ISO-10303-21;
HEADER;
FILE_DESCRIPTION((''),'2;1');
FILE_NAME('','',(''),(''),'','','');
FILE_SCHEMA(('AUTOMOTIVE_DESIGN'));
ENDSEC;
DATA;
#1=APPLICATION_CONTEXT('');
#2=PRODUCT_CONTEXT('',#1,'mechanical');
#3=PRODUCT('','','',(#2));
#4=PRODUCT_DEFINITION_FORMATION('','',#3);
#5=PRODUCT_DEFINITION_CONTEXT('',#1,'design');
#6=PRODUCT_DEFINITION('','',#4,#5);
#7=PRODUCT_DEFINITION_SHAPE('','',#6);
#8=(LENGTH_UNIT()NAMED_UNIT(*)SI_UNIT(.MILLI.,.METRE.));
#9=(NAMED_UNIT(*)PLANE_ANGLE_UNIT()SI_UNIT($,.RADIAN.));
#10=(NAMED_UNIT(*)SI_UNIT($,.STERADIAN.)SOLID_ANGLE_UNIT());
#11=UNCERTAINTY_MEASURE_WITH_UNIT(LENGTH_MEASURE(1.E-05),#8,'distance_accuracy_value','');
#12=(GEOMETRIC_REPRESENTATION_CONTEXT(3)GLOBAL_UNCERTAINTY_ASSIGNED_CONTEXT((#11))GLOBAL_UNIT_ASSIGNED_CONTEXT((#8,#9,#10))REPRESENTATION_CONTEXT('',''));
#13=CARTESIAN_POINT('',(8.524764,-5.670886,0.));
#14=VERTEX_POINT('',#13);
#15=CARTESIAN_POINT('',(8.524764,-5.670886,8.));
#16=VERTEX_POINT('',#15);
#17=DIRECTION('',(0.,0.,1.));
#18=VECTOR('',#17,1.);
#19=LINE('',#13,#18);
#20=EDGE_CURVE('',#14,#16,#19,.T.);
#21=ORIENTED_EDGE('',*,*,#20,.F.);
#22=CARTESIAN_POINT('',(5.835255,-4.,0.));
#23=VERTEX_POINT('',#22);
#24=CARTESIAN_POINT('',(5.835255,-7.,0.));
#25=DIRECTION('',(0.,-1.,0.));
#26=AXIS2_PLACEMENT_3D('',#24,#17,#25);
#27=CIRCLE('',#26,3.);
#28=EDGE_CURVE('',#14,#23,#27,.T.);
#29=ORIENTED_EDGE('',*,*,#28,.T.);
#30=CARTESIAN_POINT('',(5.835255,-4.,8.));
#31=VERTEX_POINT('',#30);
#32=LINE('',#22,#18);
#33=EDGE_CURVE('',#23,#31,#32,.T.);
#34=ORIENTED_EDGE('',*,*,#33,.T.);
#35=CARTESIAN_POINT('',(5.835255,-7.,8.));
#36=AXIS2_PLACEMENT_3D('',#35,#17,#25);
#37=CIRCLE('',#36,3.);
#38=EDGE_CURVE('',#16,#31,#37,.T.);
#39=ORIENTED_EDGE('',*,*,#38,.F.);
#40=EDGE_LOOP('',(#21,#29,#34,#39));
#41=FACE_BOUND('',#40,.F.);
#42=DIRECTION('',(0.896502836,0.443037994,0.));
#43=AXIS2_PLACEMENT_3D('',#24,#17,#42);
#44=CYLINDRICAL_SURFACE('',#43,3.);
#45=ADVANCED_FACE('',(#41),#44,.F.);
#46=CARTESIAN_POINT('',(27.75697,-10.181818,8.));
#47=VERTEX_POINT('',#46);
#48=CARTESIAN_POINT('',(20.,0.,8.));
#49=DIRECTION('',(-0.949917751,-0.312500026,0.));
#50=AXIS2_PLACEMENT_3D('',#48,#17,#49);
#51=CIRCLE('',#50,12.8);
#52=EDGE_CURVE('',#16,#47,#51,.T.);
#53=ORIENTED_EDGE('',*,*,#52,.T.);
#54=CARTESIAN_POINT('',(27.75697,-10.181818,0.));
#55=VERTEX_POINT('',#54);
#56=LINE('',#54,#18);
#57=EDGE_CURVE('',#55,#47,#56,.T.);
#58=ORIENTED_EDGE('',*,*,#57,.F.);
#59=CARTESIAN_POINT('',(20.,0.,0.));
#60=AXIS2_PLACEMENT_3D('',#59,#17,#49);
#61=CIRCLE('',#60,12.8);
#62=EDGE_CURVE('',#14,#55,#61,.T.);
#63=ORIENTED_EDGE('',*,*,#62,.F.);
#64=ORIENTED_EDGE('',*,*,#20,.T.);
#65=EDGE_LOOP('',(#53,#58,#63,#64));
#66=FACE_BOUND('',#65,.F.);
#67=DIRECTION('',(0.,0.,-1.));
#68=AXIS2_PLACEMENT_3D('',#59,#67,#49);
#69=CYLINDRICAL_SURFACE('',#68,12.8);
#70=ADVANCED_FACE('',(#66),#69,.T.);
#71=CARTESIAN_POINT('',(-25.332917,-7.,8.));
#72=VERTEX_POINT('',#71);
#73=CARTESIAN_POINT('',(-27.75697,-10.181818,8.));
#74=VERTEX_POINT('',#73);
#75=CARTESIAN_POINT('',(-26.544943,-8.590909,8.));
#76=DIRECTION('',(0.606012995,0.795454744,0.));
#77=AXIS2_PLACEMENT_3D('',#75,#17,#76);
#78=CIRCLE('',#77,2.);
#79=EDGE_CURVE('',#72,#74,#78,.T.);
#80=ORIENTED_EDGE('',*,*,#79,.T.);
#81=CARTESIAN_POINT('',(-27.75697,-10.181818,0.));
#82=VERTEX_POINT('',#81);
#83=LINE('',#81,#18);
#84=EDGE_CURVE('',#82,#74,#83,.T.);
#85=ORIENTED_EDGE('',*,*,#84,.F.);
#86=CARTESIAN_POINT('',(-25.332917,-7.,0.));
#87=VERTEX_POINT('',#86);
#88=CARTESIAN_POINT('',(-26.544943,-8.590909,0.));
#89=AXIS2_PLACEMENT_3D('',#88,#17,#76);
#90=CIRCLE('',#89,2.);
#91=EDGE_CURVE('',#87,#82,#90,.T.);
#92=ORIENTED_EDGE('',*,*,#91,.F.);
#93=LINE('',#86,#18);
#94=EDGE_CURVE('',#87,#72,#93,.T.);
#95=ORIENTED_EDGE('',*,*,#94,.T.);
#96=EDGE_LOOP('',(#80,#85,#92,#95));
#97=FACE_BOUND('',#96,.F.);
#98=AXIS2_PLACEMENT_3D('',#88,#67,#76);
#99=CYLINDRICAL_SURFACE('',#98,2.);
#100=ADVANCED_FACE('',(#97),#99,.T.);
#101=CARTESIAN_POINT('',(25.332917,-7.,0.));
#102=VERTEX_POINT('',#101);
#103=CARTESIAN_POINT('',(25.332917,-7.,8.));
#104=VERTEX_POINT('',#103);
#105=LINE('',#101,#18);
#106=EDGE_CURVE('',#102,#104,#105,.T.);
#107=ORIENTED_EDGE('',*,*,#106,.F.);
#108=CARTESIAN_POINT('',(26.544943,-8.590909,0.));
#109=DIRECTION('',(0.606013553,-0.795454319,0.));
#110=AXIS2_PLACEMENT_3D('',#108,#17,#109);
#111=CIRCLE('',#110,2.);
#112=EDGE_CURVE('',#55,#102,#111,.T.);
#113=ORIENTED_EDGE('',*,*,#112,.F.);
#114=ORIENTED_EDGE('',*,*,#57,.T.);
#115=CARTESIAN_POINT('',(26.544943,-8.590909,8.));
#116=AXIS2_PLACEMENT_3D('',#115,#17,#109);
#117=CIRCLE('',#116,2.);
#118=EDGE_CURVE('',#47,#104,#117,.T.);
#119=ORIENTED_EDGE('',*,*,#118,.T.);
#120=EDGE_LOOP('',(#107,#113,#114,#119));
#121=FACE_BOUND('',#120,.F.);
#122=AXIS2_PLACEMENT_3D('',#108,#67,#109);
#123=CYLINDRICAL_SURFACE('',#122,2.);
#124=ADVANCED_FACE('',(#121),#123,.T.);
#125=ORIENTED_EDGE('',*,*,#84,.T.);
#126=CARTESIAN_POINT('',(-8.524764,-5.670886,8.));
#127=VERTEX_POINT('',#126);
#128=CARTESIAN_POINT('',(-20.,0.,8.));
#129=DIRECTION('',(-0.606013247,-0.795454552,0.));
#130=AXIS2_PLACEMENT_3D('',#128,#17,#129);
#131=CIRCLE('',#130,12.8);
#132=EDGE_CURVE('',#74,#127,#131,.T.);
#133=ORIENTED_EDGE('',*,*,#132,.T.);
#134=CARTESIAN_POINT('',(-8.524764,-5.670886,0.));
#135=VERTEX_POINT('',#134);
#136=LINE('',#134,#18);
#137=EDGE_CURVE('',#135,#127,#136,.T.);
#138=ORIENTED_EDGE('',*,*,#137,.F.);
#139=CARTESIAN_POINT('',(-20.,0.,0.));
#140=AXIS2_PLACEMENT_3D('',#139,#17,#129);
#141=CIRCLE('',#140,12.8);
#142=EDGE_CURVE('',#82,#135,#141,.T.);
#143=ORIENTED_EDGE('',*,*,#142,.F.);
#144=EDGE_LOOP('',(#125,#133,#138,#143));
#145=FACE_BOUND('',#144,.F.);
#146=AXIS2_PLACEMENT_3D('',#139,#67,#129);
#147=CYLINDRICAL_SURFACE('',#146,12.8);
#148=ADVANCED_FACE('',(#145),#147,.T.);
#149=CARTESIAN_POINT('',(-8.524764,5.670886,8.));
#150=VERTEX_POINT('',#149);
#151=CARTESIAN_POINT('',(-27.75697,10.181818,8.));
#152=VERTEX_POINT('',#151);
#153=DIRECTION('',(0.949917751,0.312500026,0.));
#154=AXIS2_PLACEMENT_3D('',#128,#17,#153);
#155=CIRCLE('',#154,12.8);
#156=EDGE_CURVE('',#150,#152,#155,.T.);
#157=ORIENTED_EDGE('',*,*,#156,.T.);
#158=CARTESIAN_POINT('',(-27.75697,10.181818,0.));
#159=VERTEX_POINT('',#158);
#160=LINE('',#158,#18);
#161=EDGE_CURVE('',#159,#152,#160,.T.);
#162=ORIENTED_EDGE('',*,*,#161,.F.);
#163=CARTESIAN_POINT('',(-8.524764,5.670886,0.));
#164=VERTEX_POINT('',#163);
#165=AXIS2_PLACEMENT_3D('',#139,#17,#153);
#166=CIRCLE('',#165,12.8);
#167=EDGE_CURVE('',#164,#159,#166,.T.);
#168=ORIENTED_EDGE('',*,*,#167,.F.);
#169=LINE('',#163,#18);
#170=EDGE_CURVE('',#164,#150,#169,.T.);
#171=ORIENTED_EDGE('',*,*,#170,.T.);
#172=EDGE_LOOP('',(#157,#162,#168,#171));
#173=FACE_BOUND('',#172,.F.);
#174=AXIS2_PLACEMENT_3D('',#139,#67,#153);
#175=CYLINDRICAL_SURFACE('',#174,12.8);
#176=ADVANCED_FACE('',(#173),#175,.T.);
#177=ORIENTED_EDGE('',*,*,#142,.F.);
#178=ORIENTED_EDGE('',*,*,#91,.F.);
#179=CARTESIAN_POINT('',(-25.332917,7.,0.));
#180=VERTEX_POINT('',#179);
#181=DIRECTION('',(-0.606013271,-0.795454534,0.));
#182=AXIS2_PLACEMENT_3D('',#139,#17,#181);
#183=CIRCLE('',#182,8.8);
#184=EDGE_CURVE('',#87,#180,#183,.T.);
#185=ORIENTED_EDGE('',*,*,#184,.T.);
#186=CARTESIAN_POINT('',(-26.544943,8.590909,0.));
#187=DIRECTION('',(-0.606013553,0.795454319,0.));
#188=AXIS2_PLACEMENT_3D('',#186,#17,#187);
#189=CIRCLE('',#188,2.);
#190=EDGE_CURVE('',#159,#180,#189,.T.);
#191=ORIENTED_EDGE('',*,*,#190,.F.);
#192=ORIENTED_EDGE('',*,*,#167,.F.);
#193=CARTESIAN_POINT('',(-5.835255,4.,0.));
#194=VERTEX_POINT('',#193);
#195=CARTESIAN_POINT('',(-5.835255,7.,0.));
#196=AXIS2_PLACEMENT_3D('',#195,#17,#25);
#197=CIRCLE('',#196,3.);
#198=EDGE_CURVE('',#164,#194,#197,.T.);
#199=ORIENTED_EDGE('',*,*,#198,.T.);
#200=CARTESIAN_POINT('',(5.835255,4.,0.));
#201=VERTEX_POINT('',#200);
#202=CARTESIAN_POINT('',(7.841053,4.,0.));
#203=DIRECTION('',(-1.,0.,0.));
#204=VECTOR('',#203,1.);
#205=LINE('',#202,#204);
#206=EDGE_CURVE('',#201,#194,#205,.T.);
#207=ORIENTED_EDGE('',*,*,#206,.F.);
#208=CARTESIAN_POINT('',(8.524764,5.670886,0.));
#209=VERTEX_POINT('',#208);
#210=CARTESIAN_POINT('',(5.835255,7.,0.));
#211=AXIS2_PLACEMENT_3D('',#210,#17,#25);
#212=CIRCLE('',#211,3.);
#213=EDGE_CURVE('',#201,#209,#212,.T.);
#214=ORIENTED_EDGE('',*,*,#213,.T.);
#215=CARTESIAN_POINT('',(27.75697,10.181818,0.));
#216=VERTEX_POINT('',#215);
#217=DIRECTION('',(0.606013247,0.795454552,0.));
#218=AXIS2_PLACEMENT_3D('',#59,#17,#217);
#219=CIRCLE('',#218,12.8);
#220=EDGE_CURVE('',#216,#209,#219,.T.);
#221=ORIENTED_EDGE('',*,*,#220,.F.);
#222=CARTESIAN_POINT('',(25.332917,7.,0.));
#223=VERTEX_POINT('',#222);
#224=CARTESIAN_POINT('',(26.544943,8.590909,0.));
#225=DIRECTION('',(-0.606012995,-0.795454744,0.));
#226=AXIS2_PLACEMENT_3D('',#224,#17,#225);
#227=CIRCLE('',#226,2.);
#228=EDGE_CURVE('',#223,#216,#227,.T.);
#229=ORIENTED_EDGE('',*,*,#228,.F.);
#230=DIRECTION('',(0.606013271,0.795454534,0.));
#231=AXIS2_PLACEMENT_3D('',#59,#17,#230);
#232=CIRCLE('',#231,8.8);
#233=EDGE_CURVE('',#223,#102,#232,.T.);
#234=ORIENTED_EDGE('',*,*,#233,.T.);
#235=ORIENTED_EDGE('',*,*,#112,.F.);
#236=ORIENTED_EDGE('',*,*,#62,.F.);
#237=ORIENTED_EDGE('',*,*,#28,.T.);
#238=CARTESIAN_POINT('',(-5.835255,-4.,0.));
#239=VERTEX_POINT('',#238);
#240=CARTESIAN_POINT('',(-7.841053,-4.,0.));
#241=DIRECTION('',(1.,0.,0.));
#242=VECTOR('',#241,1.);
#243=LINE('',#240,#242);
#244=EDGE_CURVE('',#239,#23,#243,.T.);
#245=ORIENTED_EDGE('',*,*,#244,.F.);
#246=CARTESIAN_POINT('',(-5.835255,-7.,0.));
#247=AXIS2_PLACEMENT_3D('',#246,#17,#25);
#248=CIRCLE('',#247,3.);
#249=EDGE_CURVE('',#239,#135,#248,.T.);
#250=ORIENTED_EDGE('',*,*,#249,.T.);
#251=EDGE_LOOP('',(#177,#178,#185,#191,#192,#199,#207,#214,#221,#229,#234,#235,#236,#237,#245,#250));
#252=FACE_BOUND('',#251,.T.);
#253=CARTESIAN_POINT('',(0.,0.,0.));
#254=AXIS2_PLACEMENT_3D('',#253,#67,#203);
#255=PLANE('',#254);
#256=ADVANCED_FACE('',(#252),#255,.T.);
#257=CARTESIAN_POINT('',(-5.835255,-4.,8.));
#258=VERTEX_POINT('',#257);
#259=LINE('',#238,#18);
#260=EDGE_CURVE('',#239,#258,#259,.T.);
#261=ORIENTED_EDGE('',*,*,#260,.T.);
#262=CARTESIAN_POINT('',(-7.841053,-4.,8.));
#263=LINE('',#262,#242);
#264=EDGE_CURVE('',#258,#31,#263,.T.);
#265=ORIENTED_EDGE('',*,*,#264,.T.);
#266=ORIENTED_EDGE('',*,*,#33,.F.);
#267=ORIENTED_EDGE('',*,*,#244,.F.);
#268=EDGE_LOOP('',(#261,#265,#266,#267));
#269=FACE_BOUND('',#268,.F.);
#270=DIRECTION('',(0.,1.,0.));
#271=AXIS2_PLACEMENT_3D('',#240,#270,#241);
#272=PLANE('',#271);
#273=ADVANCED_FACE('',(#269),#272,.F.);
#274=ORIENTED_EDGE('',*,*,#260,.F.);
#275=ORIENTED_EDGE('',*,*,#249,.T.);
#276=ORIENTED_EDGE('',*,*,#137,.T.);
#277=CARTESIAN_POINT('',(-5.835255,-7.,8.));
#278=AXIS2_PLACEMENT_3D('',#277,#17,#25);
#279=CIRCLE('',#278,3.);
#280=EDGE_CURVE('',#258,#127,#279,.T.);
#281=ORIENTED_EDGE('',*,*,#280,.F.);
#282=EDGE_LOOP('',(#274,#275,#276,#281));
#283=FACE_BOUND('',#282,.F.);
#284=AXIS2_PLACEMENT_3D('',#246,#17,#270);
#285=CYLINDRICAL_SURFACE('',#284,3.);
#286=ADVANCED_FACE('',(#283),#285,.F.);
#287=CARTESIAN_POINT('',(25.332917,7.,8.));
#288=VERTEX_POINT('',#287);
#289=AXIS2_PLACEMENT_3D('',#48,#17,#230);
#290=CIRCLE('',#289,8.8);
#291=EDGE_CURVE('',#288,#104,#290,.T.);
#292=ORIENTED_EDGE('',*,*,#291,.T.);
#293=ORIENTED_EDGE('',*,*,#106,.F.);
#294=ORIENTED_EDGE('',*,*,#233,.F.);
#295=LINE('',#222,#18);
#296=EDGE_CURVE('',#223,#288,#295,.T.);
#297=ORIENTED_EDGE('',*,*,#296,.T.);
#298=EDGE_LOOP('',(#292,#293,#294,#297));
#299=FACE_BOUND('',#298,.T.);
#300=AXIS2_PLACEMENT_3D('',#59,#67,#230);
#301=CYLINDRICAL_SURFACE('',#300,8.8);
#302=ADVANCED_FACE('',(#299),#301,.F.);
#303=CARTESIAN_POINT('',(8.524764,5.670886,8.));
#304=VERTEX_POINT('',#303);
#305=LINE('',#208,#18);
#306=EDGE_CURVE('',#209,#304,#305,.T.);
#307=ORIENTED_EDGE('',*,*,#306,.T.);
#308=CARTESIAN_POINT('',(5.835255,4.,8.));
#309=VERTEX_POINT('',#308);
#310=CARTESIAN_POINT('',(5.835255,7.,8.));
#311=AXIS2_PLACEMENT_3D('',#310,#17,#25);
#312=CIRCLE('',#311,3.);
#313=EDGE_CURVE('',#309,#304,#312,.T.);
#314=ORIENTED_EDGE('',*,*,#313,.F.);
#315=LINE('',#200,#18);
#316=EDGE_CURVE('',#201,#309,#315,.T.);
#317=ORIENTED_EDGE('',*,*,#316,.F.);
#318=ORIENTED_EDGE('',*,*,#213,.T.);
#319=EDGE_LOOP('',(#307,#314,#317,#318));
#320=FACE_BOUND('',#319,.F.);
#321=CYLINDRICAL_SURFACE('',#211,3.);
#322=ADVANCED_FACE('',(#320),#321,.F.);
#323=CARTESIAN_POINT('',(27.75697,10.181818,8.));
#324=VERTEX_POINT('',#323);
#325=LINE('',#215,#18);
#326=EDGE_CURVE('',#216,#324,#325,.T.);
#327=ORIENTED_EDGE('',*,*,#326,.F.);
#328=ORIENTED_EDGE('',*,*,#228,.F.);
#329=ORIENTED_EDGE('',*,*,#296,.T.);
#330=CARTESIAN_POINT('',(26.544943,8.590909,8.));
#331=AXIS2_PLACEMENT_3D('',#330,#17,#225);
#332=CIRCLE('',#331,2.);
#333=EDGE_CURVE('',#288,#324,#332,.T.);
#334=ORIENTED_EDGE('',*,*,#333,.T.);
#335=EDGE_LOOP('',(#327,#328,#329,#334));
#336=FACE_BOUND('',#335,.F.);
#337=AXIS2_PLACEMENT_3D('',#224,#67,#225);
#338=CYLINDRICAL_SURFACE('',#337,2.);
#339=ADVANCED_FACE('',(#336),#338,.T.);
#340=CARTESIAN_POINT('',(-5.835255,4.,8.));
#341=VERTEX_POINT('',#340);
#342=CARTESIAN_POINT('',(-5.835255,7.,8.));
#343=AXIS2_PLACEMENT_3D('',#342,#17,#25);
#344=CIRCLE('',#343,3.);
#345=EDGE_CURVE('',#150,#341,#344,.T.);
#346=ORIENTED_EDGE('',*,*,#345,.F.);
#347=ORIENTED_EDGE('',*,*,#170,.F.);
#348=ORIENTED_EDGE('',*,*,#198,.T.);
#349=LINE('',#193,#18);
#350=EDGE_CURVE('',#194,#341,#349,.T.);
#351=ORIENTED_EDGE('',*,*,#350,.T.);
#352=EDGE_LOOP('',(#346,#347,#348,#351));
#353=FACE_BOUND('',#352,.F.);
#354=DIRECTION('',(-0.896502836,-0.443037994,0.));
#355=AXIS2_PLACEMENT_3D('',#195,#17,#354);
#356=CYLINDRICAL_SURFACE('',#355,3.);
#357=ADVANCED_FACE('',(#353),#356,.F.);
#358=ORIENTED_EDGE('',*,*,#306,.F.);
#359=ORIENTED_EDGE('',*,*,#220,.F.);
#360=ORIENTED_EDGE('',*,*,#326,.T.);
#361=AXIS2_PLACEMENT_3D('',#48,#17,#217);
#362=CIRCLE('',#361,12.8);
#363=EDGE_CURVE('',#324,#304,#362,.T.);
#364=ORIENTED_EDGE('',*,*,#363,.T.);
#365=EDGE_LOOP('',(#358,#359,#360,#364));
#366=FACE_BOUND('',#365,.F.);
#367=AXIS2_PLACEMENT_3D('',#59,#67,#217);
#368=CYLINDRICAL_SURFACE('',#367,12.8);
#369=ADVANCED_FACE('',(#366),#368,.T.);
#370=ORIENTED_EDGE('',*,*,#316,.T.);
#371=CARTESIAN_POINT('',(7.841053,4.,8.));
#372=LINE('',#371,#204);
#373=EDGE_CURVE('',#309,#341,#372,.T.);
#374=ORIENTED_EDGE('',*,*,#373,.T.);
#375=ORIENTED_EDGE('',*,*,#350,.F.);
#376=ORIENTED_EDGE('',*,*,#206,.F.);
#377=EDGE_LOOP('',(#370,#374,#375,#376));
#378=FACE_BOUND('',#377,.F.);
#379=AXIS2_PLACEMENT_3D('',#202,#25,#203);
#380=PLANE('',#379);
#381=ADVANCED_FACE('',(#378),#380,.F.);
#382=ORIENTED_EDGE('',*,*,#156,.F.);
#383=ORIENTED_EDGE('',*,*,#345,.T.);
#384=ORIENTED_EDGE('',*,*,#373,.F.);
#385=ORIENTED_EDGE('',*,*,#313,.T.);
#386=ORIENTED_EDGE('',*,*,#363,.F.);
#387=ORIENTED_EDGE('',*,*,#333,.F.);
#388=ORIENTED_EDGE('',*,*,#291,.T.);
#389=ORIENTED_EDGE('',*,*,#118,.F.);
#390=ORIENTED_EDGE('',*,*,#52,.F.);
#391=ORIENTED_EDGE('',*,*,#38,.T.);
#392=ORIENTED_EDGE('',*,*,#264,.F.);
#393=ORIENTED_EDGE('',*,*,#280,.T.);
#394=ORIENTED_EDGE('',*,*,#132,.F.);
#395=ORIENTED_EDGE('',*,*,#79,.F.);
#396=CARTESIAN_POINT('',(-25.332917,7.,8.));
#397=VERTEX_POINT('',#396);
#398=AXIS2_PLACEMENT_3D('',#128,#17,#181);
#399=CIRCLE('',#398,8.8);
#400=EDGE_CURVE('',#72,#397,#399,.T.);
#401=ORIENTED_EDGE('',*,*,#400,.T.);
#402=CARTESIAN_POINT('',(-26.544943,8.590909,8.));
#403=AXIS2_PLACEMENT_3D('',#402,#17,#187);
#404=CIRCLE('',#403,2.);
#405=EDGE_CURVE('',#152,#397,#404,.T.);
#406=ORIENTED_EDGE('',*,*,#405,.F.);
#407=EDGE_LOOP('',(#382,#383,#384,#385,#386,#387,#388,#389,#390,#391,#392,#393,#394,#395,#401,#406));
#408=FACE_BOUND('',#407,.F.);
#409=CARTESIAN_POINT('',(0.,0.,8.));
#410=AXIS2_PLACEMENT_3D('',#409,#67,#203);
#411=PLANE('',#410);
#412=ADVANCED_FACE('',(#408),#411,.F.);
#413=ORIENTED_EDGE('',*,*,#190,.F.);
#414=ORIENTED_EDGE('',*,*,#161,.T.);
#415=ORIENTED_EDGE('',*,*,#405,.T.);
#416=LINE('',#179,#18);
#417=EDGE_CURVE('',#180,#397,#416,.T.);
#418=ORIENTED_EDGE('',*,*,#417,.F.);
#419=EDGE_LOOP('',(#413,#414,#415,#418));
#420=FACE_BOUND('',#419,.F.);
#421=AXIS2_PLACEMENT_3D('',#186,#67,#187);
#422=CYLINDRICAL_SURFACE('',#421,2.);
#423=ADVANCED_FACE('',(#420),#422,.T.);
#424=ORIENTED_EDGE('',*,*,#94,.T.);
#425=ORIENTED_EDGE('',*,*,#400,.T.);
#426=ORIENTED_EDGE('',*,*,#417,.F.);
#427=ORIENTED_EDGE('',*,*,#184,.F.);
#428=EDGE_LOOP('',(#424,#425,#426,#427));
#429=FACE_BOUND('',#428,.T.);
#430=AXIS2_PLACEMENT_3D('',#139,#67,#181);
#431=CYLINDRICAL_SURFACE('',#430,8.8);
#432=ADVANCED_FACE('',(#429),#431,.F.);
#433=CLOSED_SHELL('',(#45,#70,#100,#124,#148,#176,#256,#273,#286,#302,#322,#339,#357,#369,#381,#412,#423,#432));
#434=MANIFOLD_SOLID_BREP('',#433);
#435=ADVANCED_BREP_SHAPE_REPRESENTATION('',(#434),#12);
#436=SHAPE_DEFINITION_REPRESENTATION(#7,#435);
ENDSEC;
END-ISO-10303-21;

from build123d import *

# Parameters (mm, degrees)
PAD_DEPTH = 8
FILLET_R  = 3


with BuildPart() as part:
    # Sketch → Pad (new body)
    with BuildSketch(Plane.XY):
        with BuildLine():
            ThreePointArc((-25.332917, -7), (-11.2, 0), (-25.332917, 7))
            ThreePointArc((-27.75697, 10.181818), (-28.135852, 7.378883), (-25.332917, 7))
            ThreePointArc((-7.841053, 4), (-16.205521, 12.224644), (-27.75697, 10.181818))
            Line((0, 4), (-7.841053, 4))
            Line((0, 4), (7.841053, 4))
            ThreePointArc((27.75697, 10.181818), (16.205521, 12.224644), (7.841053, 4))
            ThreePointArc((25.332917, 7), (28.135852, 7.378883), (27.75697, 10.181818))
            ThreePointArc((25.332917, 7), (11.2, 0), (25.332917, -7))
            ThreePointArc((27.75697, -10.181818), (28.135852, -7.378883), (25.332917, -7))
            ThreePointArc((7.841053, -4), (16.205521, -12.224644), (27.75697, -10.181818))
            Line((0, -4), (7.841053, -4))
            Line((0, -4), (-7.841053, -4))
            ThreePointArc((-27.75697, -10.181818), (-16.205521, -12.224644), (-7.841053, -4))
            ThreePointArc((-25.332917, -7), (-28.135852, -7.378883), (-27.75697, -10.181818))
        make_face()
    extrude(amount=PAD_DEPTH)

    # Fillet
    fillet_edges = [part.edges().sort_by_distance(p)[0] for p in [
        (-7.841053, -4, 4),
        (7.841053, -4, 4),
        (-7.841053, 4, 4),
        (7.841053, 4, 4),
    ]]
    fillet(fillet_edges, radius=FILLET_R)


solid = part.part
